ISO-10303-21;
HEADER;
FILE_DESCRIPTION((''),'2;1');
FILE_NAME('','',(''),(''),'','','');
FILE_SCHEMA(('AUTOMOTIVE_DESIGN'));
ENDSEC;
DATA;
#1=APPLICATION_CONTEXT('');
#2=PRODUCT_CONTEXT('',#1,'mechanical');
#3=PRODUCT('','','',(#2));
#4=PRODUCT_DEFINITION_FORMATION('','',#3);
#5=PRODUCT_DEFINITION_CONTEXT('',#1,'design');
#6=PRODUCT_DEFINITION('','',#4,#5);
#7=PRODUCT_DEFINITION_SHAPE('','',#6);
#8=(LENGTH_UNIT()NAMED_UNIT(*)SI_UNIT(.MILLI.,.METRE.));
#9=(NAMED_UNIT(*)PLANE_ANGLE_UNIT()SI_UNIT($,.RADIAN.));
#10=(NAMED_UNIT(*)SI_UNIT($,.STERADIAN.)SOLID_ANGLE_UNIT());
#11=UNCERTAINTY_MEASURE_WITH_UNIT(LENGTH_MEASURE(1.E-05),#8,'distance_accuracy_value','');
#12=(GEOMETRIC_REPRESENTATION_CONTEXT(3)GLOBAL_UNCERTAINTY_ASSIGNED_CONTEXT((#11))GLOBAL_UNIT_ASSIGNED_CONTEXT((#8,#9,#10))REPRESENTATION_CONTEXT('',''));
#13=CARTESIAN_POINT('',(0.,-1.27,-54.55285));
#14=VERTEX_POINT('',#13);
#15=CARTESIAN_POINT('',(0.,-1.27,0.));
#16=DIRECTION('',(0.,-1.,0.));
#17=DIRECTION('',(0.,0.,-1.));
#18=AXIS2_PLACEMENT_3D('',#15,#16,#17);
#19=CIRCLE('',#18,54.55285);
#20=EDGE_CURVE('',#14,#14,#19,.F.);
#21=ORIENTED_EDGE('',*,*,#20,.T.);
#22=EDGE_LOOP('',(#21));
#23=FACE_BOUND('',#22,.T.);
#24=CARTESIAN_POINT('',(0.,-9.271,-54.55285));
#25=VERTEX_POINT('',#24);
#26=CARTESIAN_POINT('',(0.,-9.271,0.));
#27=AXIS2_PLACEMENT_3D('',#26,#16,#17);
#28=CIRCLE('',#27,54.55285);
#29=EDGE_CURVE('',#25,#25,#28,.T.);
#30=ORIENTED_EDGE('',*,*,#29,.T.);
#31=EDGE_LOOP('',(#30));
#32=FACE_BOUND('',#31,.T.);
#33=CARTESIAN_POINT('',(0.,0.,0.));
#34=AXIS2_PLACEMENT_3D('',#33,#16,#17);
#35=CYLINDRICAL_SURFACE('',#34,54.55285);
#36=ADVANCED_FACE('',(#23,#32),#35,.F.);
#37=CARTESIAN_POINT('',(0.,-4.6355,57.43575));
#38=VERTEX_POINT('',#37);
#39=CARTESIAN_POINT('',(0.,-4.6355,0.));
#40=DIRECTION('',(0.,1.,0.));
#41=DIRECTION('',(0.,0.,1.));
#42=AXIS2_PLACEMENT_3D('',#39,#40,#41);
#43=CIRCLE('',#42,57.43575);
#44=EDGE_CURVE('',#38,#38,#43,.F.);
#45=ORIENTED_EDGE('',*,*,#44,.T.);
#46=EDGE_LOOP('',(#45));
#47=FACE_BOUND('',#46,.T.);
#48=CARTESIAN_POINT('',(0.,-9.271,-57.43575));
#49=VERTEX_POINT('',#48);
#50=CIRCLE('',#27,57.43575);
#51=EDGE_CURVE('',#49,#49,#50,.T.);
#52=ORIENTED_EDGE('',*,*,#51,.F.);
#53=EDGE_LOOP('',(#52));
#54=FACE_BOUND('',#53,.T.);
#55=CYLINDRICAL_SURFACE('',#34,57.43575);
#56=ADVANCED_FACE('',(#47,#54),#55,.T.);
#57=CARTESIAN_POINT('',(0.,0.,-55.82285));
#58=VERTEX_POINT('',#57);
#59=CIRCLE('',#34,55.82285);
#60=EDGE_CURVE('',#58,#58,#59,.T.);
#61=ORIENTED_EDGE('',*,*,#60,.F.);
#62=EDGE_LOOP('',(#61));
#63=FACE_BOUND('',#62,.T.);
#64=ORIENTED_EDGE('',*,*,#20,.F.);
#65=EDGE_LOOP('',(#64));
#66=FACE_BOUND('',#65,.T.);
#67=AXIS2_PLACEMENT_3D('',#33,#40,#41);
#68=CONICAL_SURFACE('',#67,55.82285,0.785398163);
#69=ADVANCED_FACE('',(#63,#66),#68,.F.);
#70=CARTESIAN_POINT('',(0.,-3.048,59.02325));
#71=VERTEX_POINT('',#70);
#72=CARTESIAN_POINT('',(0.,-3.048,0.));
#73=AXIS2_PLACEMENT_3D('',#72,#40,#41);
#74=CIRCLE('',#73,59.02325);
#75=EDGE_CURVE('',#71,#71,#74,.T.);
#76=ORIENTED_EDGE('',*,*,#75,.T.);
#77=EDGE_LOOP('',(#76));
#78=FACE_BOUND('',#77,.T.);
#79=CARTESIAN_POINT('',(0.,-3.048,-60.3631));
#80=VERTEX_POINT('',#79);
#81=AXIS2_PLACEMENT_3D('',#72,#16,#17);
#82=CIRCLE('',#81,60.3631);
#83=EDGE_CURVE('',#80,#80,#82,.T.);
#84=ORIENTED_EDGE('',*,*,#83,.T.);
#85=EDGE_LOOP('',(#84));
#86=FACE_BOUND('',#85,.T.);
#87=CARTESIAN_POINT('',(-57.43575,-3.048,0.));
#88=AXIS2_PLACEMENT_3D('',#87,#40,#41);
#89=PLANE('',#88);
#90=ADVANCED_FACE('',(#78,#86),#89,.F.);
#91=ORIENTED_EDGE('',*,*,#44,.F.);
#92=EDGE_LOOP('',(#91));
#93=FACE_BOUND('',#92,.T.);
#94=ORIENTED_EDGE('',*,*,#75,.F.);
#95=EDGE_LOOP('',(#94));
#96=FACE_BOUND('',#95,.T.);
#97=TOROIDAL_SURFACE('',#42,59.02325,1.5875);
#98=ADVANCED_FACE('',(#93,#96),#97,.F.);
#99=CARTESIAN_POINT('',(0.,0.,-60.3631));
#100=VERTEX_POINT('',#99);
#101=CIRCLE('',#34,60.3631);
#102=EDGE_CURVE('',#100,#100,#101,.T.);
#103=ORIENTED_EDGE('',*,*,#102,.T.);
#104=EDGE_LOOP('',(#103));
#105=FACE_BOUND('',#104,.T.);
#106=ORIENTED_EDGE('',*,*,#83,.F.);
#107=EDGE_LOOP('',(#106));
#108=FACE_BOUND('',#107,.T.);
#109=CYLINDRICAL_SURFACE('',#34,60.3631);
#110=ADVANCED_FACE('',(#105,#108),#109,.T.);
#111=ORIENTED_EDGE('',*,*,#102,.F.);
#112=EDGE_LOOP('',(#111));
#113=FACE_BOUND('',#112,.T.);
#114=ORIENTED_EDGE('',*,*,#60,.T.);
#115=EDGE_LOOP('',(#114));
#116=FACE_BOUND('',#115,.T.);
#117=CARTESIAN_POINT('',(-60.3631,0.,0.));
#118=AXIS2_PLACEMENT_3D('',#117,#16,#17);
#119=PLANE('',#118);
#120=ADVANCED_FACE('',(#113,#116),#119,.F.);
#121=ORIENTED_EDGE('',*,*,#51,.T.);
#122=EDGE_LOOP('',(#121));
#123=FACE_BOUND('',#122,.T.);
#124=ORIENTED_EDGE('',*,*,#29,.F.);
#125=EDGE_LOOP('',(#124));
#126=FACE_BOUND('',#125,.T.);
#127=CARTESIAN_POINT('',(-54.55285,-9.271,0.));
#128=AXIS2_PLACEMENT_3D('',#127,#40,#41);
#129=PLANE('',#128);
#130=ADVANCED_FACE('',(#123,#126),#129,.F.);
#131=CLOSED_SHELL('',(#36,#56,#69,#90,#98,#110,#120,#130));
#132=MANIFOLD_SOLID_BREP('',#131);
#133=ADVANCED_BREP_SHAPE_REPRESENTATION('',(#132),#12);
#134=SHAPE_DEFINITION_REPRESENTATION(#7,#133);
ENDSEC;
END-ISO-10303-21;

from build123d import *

# Parameters (mm, degrees)
CHAMFER1_SIZE = 1.27
FILLET1_R     = 1.5875


with BuildPart() as part:
    # Sketch1 → Revolve1 (revolve)
    with BuildSketch(Plane.XY, mode=Mode.PRIVATE) as revolve1_sk:
        Polygon((-54.55285, 0), (-54.55285, -9.271), (-57.43575, -9.271), (-57.43575, -3.048), (-60.3631, -3.048), (-60.3631, 0), align=None)
    revolve(revolve1_sk.sketch.rotate(Axis((0, 0, 0), (0, 1, 0)), 270), axis=Axis((0, 0, 0), (0, 1, 0)))

    # Chamfer1
    chamfer1_edges = [part.edges().sort_by_distance(p)[0] for p in [
        (0, 0, 54.55285),
    ]]
    chamfer(chamfer1_edges, length=CHAMFER1_SIZE)

    # Fillet1
    fillet1_edges = [part.edges().sort_by_distance(p)[0] for p in [
        (0, -3.048, 57.43575),
    ]]
    fillet(fillet1_edges, radius=FILLET1_R)


solid = part.part
